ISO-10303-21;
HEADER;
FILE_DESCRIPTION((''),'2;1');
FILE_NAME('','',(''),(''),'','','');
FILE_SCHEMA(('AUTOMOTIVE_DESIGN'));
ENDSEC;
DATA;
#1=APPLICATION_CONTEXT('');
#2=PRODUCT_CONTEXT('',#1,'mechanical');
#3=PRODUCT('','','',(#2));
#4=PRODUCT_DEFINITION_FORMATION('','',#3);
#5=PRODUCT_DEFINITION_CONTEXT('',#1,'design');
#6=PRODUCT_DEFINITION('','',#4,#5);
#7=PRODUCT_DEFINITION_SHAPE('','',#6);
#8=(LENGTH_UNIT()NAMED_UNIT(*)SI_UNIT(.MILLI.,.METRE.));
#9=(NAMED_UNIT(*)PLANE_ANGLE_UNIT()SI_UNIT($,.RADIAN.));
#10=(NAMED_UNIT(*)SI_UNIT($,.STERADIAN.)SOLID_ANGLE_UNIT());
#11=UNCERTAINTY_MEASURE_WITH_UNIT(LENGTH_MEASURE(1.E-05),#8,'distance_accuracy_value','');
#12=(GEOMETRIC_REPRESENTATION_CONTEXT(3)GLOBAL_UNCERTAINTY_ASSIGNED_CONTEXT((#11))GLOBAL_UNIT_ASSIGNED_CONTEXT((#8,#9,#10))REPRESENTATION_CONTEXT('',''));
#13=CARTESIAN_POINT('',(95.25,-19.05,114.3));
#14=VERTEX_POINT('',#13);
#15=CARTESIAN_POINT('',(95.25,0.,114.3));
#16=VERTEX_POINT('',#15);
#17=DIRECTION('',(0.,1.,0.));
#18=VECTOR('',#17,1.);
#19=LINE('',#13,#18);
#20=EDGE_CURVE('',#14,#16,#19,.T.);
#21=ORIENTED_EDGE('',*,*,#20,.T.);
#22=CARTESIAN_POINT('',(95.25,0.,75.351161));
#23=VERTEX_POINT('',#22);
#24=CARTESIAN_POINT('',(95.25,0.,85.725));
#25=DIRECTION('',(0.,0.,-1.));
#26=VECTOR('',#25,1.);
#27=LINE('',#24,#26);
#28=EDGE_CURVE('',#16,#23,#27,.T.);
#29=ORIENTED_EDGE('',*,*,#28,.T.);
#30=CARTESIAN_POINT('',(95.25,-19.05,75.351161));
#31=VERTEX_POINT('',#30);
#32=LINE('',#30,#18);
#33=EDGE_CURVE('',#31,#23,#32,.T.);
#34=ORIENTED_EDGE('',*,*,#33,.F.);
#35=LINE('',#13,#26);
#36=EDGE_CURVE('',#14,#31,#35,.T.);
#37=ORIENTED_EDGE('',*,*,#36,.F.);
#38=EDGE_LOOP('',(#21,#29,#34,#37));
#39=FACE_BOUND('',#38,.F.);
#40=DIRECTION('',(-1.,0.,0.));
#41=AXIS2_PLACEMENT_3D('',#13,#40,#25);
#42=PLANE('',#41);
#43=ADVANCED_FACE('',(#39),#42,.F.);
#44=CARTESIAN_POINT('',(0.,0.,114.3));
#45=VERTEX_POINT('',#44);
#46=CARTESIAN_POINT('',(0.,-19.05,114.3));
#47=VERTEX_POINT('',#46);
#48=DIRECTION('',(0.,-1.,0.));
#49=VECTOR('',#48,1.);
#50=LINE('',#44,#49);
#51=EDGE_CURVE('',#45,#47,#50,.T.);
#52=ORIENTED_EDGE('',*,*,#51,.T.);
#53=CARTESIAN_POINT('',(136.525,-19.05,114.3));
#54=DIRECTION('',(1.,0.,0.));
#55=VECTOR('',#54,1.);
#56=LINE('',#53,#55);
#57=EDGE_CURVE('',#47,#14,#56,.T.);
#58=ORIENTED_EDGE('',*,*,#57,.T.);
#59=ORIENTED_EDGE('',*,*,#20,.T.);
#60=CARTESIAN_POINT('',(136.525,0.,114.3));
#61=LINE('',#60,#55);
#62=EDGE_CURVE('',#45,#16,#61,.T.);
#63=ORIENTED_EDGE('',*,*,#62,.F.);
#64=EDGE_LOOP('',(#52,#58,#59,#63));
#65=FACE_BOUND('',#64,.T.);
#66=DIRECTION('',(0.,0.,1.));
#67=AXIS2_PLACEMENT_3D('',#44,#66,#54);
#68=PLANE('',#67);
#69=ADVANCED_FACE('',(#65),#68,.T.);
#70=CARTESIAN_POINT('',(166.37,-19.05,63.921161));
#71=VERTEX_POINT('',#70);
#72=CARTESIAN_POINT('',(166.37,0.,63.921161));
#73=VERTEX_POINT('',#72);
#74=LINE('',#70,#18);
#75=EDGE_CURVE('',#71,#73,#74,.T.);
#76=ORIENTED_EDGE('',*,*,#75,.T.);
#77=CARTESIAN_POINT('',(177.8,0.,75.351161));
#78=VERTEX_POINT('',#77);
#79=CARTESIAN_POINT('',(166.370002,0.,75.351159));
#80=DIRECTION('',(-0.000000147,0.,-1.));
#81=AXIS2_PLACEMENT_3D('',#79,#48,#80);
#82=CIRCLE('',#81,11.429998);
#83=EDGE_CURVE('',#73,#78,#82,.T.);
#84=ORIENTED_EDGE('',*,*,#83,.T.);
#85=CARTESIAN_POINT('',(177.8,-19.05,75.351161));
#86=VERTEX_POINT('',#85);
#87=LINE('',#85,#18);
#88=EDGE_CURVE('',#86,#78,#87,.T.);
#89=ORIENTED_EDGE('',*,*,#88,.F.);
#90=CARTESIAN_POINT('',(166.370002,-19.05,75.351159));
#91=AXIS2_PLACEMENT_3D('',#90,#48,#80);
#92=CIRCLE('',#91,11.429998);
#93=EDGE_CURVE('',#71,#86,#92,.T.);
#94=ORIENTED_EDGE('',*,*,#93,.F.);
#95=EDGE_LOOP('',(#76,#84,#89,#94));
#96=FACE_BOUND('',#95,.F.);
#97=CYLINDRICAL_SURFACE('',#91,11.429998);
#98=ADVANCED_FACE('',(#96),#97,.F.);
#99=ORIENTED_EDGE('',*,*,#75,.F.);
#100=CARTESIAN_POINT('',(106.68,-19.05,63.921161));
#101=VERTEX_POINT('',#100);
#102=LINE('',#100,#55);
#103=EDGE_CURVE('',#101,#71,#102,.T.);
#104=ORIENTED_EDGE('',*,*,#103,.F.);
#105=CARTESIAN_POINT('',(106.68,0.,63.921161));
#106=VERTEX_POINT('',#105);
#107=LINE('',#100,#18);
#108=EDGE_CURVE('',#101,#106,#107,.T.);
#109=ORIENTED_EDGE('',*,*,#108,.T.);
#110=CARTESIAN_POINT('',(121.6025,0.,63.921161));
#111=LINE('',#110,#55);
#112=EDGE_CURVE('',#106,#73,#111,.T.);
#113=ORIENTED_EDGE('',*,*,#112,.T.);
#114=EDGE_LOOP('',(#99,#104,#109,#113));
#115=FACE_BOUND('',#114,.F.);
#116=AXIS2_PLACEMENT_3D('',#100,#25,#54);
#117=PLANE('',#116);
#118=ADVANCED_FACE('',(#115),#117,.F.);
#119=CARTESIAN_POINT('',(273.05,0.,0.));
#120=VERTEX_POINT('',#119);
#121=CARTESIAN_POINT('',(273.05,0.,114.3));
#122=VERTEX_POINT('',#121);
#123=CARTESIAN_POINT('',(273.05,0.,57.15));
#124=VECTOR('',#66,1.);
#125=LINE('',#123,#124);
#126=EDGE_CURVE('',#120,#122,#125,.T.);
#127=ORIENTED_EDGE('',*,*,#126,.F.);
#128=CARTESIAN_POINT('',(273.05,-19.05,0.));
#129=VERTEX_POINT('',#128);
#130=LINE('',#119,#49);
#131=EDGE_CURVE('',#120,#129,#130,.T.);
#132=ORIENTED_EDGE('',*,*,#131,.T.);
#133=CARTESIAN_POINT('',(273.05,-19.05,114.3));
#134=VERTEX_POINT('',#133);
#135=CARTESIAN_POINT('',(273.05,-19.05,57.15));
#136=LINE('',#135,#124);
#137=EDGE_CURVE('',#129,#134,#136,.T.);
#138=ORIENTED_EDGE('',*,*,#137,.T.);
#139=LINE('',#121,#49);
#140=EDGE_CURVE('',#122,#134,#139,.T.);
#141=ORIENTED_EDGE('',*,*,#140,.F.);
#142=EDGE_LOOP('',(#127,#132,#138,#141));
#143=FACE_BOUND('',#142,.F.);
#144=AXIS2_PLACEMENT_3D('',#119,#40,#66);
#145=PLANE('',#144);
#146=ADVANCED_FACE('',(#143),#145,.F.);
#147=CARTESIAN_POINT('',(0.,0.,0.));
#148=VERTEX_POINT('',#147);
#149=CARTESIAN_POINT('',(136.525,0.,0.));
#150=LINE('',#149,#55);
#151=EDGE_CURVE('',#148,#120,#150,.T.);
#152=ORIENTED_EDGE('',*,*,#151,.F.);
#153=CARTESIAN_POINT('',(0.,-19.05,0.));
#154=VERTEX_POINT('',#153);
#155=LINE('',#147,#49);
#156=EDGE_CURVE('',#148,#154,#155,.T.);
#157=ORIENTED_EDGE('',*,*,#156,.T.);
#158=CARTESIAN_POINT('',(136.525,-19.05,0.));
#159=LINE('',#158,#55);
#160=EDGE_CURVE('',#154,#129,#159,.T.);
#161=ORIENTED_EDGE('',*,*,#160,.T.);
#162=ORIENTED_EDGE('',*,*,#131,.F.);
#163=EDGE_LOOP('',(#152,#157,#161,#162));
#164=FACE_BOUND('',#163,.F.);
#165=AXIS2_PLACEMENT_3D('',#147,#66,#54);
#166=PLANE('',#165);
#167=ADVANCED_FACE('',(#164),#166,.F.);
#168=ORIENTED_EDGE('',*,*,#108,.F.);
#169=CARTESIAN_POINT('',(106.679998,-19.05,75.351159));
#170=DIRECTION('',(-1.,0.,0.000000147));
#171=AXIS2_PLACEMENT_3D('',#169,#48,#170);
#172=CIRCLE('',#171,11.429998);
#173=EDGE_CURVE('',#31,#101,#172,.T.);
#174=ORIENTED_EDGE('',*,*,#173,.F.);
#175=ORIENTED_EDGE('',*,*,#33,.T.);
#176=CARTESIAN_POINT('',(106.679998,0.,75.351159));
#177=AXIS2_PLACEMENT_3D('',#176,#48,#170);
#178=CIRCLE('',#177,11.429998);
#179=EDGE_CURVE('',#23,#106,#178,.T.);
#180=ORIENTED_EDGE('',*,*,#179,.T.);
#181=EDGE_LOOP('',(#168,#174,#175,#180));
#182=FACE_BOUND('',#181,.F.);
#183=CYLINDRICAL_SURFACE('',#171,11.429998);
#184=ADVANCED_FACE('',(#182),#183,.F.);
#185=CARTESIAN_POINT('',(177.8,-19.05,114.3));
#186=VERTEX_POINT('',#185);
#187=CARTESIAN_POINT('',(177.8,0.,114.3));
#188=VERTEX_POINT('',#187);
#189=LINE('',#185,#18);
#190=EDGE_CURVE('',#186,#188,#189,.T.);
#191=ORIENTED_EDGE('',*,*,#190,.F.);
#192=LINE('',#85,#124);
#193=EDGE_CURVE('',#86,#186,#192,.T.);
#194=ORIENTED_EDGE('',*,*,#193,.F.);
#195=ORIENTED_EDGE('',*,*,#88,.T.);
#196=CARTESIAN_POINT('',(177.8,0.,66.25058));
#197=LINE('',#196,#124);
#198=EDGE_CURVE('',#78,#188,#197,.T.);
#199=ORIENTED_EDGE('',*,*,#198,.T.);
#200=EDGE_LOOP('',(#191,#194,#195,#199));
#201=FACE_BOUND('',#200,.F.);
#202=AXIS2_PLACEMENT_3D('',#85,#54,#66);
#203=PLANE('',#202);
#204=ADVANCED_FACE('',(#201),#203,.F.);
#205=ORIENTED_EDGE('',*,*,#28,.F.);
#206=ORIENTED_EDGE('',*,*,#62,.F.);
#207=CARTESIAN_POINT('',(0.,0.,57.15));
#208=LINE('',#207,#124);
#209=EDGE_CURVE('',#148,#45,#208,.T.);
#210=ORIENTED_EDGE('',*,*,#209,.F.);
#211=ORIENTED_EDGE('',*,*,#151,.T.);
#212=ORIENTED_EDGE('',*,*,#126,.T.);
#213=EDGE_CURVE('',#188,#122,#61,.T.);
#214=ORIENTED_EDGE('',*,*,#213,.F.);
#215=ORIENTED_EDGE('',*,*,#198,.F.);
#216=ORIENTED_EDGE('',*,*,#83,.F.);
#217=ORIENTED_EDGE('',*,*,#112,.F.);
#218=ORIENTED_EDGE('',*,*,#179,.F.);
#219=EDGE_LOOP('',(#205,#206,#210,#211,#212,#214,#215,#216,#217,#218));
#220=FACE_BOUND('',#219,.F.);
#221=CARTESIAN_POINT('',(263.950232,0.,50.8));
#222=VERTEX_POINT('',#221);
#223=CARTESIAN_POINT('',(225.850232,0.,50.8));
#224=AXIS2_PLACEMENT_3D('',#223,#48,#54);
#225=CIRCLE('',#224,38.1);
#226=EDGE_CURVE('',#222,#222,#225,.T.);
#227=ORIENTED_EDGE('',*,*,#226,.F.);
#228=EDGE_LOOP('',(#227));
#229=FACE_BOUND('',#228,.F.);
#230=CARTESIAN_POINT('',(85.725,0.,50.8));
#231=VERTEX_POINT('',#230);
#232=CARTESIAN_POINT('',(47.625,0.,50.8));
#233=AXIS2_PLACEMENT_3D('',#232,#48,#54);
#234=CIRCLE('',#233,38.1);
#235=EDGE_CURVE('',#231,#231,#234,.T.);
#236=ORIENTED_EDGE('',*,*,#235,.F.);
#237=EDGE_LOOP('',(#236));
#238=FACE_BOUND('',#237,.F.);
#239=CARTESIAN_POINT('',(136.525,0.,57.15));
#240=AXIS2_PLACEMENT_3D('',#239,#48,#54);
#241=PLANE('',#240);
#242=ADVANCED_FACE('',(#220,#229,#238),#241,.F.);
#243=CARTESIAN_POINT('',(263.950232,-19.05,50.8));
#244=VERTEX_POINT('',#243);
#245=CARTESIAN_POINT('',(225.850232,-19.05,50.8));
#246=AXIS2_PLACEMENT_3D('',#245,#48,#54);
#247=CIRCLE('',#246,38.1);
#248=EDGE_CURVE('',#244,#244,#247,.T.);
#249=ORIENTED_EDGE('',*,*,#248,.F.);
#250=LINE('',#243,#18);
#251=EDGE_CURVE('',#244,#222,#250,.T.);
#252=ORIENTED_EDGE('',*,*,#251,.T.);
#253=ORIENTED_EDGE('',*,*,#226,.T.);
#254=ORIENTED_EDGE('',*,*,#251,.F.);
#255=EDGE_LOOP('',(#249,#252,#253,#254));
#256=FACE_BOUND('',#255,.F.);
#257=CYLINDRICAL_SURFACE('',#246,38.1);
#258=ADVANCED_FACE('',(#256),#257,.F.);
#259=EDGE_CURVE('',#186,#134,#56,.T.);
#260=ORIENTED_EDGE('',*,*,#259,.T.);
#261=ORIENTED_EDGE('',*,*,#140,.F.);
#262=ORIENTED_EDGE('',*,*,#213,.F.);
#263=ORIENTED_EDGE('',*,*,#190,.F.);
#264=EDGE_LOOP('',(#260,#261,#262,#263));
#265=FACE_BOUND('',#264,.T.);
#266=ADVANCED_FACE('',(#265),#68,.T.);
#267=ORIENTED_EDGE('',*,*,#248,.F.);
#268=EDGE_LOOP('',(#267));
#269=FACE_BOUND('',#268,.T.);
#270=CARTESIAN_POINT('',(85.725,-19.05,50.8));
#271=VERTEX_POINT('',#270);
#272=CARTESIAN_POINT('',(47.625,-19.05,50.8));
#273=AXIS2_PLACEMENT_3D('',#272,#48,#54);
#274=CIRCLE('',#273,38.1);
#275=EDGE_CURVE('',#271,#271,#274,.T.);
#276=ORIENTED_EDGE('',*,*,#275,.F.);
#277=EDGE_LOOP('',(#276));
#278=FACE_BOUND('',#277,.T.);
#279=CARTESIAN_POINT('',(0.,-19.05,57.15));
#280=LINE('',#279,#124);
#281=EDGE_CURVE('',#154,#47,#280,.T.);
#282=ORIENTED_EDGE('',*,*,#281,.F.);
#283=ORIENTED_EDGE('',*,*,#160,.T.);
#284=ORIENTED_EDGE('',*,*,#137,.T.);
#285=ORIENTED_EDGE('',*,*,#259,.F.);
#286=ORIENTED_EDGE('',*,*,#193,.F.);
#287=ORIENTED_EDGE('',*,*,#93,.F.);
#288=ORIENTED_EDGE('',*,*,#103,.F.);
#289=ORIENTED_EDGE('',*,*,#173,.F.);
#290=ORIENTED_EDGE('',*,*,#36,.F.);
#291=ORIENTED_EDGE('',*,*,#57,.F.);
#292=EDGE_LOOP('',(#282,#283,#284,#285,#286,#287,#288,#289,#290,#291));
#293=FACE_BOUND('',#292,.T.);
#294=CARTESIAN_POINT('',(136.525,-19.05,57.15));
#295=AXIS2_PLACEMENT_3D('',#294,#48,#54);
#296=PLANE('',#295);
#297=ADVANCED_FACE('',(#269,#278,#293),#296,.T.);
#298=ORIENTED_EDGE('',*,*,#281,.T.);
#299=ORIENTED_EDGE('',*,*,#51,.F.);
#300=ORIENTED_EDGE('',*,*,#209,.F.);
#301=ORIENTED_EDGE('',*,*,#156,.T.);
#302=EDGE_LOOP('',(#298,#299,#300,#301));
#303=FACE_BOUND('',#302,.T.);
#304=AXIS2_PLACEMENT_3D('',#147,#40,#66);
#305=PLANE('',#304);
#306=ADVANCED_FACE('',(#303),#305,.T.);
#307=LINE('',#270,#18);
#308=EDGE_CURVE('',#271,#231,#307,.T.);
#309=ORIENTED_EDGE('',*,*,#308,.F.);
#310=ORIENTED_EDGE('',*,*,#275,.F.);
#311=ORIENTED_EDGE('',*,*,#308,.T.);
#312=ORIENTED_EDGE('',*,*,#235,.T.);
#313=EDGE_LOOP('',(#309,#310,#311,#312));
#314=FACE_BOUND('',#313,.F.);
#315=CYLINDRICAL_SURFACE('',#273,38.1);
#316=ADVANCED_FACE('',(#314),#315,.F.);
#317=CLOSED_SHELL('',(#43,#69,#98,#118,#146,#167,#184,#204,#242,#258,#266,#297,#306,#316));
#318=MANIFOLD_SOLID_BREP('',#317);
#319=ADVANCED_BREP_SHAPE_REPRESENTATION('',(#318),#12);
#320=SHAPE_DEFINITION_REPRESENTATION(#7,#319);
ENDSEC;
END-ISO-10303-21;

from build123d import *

# Parameters (mm, degrees)
F0_W     = 273.05
F0_H     = 114.3
F1_DEPTH = 19.05
F2_R     = 38.1
F3_DEPTH = 25.4


with BuildPart() as f1:
    # F0 (on Front) → F1 (new body)
    with BuildSketch(Plane.XZ):
        with Locations((136.525, 57.15)):
            Rectangle(F0_W, F0_H)
    extrude(amount=F1_DEPTH)

    # F2 (on face) → F3 (cut)
    with BuildSketch(Plane.XZ.offset(19.05)):
        with Locations((225.850232, 50.8)):
            Circle(F2_R)
        with BuildLine():
            Line((177.8, 114.3), (95.25, 114.3))
            Line((95.25, 114.3), (95.25, 75.351161))
            ThreePointArc((95.25, 75.351161), (98.597769, 67.26893), (106.68, 63.921161))
            Line((106.68, 63.921161), (166.37, 63.921161))
            ThreePointArc((166.37, 63.921161), (174.452231, 67.26893), (177.8, 75.351161))
            Line((177.8, 75.351161), (177.8, 114.3))
        make_face()
        with Locations((47.625, 50.8)):
            Circle(F2_R)
    extrude(amount=-F3_DEPTH, mode=Mode.SUBTRACT)


solid = f1.part
